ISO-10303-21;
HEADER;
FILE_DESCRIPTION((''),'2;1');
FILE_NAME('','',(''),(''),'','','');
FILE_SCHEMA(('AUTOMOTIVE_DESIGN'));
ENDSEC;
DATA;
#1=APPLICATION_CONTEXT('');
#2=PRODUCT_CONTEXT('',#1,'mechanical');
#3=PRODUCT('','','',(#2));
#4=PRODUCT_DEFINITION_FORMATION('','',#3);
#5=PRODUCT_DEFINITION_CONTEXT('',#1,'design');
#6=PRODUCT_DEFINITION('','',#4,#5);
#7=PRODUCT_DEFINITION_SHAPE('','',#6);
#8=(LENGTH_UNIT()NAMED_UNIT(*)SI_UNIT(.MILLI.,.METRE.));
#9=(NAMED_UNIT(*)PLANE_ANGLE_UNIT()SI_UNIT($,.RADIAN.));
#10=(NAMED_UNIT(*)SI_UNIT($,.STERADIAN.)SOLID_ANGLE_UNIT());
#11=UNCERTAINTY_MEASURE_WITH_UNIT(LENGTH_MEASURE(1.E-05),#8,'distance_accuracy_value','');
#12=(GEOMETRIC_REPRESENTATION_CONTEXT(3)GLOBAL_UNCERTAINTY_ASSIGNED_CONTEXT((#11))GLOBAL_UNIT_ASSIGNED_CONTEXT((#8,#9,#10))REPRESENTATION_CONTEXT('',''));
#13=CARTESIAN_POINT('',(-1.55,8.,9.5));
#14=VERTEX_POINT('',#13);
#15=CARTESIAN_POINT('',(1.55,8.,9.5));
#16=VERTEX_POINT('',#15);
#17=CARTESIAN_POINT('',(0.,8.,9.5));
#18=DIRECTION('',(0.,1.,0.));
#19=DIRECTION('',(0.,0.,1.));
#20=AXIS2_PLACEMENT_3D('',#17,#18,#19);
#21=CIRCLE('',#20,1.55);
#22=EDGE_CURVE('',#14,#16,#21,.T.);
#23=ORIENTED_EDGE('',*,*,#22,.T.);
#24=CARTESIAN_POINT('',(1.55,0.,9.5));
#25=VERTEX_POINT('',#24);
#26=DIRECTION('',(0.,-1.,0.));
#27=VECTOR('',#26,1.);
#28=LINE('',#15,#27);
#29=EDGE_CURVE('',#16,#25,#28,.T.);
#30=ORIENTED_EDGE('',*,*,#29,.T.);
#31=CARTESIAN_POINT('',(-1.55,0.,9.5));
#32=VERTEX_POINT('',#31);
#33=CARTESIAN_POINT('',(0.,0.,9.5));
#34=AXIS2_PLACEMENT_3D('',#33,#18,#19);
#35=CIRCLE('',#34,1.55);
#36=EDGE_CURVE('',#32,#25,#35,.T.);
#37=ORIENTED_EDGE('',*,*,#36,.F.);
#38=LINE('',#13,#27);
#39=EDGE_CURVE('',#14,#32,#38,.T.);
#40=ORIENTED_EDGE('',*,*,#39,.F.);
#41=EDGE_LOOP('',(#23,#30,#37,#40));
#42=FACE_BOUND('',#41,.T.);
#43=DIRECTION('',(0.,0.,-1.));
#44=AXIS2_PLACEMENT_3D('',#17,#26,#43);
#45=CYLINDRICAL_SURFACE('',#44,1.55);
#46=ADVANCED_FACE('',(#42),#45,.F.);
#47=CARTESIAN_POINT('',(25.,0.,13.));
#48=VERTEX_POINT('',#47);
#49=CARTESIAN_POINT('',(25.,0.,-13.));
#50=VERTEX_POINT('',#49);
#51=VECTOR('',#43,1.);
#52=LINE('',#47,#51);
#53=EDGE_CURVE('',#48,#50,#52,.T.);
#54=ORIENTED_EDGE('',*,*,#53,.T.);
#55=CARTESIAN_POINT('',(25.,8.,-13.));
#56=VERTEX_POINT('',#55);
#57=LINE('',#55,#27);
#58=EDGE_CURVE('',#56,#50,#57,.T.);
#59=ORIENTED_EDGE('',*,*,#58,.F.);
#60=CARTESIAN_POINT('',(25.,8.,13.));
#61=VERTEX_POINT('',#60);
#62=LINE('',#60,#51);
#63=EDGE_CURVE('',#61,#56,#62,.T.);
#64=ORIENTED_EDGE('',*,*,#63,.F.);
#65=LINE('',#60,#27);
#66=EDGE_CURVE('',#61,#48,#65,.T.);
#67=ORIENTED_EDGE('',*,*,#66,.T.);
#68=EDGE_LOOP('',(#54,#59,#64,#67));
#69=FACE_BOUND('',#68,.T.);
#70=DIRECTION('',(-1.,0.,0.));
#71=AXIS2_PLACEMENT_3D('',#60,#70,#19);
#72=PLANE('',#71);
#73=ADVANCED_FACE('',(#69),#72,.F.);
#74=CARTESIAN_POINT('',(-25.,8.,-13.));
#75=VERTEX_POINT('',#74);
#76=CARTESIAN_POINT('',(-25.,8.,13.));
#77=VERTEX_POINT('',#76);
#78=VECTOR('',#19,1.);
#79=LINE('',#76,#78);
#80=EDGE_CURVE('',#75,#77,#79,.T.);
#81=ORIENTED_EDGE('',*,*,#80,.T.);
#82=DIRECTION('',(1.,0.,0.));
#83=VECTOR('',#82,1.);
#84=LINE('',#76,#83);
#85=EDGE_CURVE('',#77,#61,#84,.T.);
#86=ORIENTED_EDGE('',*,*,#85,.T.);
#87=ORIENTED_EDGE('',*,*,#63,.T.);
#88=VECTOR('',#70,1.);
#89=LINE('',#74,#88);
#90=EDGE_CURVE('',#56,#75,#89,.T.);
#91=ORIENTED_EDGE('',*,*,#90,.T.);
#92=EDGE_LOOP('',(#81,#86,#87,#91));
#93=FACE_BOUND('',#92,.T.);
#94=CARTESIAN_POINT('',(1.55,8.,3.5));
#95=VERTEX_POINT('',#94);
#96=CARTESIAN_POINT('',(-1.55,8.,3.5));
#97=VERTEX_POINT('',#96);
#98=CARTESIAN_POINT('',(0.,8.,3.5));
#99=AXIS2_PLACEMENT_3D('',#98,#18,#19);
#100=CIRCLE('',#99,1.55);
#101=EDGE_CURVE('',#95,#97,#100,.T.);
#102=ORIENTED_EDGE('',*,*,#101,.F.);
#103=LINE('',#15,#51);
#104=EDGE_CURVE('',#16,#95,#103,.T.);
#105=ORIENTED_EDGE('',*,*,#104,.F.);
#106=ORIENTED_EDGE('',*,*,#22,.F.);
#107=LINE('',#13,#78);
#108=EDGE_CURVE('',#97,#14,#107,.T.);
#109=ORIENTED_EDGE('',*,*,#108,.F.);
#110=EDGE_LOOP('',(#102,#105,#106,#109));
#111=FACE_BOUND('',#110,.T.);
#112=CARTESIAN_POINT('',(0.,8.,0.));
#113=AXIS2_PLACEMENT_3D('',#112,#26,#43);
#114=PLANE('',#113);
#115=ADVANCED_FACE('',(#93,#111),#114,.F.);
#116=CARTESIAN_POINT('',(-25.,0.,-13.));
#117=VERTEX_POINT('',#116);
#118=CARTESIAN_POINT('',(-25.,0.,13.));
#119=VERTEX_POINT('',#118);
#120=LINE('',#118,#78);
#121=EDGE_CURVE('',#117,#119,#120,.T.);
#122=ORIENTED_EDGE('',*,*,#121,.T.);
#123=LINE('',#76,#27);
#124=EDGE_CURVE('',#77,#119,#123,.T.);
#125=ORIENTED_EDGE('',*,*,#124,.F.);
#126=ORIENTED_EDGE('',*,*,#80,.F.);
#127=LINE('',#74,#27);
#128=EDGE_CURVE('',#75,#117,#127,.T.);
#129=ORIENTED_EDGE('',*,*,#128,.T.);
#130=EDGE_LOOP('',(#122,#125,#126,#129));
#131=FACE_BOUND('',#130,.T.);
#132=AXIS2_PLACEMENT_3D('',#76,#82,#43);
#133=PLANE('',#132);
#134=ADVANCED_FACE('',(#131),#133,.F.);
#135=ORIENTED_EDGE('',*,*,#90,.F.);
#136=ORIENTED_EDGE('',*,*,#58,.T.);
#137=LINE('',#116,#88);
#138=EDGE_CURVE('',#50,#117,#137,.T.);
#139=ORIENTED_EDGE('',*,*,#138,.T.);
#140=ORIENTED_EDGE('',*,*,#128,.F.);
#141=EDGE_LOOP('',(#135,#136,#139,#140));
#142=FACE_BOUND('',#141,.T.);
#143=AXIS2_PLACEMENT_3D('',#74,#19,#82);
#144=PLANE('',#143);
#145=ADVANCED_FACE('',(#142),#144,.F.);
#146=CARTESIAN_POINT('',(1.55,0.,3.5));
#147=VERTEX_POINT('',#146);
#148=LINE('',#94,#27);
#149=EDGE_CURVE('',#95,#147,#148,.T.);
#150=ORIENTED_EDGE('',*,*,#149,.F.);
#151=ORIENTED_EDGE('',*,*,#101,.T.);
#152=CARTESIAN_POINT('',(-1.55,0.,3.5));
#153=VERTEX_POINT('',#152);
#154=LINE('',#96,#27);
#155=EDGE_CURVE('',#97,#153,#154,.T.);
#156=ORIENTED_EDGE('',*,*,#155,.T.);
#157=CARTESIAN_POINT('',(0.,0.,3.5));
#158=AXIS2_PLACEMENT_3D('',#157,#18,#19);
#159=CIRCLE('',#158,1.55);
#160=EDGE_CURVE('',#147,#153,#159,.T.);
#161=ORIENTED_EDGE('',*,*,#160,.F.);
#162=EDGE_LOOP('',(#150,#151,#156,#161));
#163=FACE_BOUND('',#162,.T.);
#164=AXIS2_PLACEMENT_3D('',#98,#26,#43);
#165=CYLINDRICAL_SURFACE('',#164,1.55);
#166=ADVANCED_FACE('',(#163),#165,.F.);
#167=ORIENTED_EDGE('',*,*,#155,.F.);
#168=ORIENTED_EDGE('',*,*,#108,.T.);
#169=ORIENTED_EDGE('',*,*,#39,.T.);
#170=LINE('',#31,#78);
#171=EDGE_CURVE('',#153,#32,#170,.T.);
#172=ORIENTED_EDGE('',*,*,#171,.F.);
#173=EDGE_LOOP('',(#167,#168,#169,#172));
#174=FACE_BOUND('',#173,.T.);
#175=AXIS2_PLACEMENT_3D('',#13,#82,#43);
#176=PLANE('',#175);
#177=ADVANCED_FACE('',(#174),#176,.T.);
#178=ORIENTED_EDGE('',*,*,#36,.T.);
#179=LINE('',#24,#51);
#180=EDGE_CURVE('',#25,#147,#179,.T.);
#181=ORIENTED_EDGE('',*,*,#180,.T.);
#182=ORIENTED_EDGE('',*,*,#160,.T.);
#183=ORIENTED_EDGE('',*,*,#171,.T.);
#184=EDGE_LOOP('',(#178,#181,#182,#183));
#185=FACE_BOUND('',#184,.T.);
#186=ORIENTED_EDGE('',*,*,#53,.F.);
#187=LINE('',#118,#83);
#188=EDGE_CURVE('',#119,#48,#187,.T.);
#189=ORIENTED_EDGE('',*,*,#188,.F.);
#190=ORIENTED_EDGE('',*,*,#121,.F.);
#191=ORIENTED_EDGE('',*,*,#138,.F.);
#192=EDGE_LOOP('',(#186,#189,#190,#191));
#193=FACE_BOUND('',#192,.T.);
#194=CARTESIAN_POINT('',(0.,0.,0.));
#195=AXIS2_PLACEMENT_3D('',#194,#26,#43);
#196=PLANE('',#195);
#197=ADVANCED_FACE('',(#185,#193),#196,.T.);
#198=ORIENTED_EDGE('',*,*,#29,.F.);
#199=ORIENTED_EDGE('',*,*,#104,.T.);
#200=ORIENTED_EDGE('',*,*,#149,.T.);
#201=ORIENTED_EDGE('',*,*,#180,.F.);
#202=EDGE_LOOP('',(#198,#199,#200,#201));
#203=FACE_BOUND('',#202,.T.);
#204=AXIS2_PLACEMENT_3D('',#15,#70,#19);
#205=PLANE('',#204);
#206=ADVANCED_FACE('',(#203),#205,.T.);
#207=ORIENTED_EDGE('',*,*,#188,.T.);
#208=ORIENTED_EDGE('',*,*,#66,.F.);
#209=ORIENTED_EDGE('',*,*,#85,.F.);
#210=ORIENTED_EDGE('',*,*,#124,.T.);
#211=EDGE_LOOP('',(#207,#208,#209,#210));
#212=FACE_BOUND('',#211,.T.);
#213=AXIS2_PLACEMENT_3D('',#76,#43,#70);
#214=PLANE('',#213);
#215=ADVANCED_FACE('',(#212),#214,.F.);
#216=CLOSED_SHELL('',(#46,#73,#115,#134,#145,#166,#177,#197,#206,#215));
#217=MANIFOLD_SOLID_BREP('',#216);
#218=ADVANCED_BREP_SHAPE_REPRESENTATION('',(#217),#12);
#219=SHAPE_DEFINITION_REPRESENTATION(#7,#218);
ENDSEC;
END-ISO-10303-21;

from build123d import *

# Parameters (mm, degrees)
CROQUIS1_W              = 50
CROQUIS1_H              = 26
SALIENTE_EXTRUIR1_DEPTH = 8


with BuildPart() as part:
    # Croquis1 → Saliente-Extruir1 (new body)
    with BuildSketch(Plane(origin=(0, 0, 0), x_dir=(1, 0, 0), z_dir=(0, 1, 0))):
        Rectangle(CROQUIS1_W, CROQUIS1_H)
        with BuildLine():
            Line((-1.55, -9.5), (-1.55, -3.5))
            ThreePointArc((-1.55, -3.5), (0, -1.95), (1.55, -3.5))
            Line((1.55, -3.5), (1.55, -9.5))
            ThreePointArc((1.55, -9.5), (0, -11.05), (-1.55, -9.5))
        make_face(mode=Mode.SUBTRACT)
    extrude(amount=SALIENTE_EXTRUIR1_DEPTH)


solid = part.part
